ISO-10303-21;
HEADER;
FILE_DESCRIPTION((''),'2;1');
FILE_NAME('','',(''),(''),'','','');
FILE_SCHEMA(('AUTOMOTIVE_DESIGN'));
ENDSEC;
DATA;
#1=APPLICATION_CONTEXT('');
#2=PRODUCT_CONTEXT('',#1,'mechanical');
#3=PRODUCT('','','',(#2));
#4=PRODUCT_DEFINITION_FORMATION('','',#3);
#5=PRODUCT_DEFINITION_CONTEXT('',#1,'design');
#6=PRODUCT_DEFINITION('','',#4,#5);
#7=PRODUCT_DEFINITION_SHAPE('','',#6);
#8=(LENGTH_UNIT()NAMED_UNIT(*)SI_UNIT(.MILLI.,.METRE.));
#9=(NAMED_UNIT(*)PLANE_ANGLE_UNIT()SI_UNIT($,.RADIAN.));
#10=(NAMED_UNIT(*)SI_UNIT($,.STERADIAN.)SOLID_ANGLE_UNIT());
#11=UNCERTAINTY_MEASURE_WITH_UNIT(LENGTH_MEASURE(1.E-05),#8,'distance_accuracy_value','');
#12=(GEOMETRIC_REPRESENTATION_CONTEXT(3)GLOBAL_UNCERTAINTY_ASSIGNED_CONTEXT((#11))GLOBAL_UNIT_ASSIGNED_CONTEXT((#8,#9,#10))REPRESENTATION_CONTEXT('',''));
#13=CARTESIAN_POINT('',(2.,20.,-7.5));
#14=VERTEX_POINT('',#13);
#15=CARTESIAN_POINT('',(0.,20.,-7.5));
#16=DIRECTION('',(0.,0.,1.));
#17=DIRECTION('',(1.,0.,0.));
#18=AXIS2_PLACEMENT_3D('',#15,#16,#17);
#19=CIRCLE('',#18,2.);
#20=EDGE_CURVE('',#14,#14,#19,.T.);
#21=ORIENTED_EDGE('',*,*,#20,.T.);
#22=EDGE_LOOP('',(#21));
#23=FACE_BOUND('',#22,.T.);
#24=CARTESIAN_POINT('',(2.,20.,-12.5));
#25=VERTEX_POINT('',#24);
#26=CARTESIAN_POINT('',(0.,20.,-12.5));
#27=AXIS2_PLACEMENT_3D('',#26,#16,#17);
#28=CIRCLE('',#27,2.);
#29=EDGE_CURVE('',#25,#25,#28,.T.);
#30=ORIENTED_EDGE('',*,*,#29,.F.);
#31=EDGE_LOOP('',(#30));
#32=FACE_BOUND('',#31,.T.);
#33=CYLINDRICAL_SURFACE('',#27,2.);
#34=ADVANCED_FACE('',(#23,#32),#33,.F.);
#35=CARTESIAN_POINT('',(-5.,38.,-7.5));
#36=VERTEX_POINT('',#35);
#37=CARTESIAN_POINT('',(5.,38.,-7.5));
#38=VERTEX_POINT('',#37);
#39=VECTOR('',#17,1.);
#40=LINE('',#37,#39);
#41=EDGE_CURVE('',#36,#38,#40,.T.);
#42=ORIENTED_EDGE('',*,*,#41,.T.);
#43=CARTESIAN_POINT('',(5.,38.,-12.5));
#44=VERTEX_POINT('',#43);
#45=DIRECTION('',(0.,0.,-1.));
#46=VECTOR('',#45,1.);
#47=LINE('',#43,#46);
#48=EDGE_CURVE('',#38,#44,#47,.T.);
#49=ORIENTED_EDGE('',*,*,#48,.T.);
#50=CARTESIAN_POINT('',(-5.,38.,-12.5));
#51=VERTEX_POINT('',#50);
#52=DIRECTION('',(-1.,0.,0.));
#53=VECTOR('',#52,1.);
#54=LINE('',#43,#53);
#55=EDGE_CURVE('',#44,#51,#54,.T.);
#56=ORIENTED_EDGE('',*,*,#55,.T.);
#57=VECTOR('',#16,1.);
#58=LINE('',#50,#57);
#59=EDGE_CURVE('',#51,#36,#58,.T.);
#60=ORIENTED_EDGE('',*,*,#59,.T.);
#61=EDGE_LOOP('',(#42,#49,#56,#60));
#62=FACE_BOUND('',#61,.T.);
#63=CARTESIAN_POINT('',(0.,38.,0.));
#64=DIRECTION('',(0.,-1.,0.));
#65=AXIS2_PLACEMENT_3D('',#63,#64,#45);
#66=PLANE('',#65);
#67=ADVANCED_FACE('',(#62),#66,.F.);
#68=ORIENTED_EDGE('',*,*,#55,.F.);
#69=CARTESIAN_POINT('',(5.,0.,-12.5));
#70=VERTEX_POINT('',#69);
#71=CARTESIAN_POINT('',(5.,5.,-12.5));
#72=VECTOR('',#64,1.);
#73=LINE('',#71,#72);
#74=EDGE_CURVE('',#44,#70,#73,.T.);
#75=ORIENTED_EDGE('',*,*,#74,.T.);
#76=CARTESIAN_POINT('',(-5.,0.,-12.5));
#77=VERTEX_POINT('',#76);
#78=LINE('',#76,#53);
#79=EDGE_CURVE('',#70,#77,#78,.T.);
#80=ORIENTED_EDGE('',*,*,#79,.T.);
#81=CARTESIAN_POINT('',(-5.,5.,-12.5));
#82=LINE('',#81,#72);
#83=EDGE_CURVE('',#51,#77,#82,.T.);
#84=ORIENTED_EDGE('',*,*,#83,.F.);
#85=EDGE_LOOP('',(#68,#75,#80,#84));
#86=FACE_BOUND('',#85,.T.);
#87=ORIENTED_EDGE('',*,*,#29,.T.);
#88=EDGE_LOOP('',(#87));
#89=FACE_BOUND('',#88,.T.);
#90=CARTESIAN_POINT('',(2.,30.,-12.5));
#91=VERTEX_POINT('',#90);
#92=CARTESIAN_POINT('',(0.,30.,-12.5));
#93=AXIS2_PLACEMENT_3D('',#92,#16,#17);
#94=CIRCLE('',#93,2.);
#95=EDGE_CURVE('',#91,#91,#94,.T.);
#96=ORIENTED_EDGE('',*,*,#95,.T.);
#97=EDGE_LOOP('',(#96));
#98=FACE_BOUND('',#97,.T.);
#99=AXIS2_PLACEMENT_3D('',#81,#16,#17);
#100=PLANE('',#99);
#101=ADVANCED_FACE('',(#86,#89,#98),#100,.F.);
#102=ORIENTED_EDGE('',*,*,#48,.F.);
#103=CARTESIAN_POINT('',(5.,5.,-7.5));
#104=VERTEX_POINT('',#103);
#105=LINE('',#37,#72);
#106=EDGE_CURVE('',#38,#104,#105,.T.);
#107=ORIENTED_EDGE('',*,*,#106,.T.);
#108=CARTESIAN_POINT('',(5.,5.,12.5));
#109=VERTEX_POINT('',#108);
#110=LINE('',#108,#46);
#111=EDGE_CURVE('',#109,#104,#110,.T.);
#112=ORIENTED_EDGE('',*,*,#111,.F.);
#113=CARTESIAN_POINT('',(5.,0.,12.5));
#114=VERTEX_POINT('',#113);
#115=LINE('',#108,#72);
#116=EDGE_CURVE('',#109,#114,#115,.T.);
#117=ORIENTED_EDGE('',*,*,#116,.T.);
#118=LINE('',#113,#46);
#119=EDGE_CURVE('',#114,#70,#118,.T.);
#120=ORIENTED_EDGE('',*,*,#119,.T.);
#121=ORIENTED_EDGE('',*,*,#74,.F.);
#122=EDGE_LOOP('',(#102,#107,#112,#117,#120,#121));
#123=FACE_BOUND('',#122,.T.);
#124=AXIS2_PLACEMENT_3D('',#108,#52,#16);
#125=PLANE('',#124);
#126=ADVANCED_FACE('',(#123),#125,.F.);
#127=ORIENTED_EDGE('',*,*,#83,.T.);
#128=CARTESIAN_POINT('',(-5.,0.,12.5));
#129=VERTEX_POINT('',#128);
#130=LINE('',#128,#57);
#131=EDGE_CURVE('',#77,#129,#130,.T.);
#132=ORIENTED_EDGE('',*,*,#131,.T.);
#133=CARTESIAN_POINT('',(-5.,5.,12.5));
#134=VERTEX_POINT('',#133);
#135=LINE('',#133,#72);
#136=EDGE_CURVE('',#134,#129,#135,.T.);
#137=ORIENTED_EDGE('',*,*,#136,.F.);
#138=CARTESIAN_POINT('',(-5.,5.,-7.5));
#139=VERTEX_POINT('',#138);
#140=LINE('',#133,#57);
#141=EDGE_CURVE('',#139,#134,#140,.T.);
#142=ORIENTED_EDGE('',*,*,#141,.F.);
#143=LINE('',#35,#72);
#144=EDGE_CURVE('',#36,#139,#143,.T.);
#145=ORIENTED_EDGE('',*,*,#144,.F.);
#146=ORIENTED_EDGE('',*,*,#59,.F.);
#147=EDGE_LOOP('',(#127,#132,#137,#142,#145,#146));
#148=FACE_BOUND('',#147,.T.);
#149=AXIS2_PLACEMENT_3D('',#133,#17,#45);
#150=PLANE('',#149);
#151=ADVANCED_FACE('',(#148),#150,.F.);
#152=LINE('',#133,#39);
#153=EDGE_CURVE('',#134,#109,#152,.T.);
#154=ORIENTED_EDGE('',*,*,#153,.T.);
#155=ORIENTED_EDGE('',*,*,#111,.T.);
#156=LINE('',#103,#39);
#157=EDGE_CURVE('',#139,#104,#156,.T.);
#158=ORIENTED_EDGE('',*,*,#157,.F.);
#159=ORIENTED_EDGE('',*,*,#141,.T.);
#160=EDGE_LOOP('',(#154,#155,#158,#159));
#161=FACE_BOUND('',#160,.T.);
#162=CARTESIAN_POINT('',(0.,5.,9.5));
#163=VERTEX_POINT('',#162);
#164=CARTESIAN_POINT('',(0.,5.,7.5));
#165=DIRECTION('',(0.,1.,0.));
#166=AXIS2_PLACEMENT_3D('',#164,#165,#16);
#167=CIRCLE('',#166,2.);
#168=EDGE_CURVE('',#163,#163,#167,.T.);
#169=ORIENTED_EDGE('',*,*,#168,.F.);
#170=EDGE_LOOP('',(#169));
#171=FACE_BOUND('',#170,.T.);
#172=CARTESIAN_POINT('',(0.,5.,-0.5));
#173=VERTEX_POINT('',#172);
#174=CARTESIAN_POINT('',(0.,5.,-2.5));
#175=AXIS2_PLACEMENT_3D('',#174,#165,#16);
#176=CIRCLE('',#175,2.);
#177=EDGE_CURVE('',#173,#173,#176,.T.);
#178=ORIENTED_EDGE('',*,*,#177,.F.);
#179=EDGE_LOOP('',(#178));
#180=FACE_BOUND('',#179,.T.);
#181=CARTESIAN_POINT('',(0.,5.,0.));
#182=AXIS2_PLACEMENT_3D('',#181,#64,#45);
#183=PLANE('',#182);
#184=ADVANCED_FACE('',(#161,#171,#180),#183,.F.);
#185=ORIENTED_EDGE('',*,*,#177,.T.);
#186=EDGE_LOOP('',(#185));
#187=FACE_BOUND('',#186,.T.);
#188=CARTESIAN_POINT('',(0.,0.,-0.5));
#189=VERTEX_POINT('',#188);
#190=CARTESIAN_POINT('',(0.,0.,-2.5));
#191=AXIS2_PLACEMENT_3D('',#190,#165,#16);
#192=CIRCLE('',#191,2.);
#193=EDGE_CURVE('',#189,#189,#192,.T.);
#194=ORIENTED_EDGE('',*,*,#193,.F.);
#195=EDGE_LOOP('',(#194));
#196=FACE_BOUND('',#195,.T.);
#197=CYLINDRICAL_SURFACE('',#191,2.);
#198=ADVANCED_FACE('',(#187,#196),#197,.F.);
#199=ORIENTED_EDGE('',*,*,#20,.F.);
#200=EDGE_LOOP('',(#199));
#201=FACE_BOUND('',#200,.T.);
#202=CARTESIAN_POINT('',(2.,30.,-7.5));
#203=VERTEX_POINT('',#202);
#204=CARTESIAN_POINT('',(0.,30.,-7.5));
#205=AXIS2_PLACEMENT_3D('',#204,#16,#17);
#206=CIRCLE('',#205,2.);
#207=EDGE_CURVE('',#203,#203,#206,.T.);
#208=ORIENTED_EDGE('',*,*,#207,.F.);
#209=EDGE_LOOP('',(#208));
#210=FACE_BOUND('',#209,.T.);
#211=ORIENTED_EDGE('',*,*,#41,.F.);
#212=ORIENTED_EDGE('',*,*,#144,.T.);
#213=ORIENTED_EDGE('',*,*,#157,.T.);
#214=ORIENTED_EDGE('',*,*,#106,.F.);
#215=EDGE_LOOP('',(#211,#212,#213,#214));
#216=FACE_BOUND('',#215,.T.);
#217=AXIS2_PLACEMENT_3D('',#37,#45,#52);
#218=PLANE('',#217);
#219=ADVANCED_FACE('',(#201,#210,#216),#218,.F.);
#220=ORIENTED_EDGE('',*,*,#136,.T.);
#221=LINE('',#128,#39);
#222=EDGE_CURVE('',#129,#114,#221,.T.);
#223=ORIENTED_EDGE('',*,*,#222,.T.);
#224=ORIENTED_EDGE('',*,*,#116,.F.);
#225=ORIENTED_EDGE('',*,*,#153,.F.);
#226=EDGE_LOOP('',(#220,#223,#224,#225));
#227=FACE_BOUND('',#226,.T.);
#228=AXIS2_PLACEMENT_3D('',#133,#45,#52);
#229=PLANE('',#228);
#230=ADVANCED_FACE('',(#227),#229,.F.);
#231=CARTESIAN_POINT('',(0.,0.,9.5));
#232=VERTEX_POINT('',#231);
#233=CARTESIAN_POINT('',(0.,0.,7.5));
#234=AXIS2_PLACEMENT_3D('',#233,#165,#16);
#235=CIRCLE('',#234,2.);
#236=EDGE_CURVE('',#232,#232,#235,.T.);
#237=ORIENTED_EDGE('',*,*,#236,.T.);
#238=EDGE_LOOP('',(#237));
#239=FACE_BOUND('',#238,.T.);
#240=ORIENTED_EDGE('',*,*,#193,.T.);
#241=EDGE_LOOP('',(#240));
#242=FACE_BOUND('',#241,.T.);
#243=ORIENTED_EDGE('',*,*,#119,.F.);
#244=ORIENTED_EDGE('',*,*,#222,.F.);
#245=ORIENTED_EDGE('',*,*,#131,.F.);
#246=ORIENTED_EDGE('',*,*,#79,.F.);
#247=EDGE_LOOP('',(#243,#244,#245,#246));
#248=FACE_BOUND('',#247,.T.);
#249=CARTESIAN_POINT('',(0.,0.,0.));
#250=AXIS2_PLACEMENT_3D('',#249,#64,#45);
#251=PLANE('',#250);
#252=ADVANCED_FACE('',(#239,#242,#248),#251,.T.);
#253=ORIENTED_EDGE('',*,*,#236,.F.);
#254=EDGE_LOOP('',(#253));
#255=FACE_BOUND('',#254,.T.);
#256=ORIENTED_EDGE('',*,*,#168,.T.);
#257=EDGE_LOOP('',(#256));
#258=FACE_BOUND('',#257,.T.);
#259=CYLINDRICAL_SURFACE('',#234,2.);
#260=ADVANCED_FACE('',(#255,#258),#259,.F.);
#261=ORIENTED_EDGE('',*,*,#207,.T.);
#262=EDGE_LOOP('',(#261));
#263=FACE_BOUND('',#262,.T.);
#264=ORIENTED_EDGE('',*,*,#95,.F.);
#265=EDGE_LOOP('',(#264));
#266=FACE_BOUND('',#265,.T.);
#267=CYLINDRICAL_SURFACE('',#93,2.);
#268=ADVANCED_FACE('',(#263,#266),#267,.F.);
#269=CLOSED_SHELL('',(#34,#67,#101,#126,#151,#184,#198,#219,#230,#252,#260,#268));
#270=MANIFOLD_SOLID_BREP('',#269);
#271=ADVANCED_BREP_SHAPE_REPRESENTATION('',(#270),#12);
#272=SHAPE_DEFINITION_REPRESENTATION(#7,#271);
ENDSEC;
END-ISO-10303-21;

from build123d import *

# Parameters (mm, degrees)
SKETCH2_W           = 10
SKETCH2_H           = 25
BOSS_EXTRUDE1_DEPTH = 5
SKETCH4_W           = 10
SKETCH4_H           = 5
BOSS_EXTRUDE2_DEPTH = 33
SKETCH6_R           = 2
CUT_EXTRUDE1_DEPTH  = 36.640566774
SKETCH7_R           = 2
CUT_EXTRUDE2_DEPTH  = 44.231932642


with BuildPart() as part:
    # Sketch2 → Boss-Extrude1 (new body)
    with BuildSketch(Plane(origin=(0, 0, 0), x_dir=(1, 0, 0), z_dir=(0, 1, 0))):
        Rectangle(SKETCH2_W, SKETCH2_H)
    extrude(amount=BOSS_EXTRUDE1_DEPTH)

    # Sketch4 → Boss-Extrude2 (add)
    with BuildSketch(Plane(origin=(0, 5, 0), x_dir=(1, 0, 0), z_dir=(0, 1, 0))):
        with Locations((0, 10)):
            Rectangle(SKETCH4_W, SKETCH4_H)
    extrude(amount=BOSS_EXTRUDE2_DEPTH)

    # Sketch6 → Cut-Extrude1 (cut, through all)
    with BuildSketch(Plane(origin=(0, 5, 0), x_dir=(1, 0, 0), z_dir=(0, 1, 0))):
        with Locations(Location((0, 2.5, 0), (0, 0, 270))):
            Circle(SKETCH6_R)
        with Locations(Location((0, -7.5, 0), (0, 0, 270))):
            Circle(SKETCH6_R)
    extrude(amount=-CUT_EXTRUDE1_DEPTH, mode=Mode.SUBTRACT)

    # Sketch7 → Cut-Extrude2 (cut, through all)
    with BuildSketch(Plane.XY.offset(-7.5)):
        with Locations((0, 30)):
            Circle(SKETCH7_R)
        with Locations((0, 20)):
            Circle(SKETCH7_R)
    extrude(amount=-CUT_EXTRUDE2_DEPTH, mode=Mode.SUBTRACT)


solid = part.part
